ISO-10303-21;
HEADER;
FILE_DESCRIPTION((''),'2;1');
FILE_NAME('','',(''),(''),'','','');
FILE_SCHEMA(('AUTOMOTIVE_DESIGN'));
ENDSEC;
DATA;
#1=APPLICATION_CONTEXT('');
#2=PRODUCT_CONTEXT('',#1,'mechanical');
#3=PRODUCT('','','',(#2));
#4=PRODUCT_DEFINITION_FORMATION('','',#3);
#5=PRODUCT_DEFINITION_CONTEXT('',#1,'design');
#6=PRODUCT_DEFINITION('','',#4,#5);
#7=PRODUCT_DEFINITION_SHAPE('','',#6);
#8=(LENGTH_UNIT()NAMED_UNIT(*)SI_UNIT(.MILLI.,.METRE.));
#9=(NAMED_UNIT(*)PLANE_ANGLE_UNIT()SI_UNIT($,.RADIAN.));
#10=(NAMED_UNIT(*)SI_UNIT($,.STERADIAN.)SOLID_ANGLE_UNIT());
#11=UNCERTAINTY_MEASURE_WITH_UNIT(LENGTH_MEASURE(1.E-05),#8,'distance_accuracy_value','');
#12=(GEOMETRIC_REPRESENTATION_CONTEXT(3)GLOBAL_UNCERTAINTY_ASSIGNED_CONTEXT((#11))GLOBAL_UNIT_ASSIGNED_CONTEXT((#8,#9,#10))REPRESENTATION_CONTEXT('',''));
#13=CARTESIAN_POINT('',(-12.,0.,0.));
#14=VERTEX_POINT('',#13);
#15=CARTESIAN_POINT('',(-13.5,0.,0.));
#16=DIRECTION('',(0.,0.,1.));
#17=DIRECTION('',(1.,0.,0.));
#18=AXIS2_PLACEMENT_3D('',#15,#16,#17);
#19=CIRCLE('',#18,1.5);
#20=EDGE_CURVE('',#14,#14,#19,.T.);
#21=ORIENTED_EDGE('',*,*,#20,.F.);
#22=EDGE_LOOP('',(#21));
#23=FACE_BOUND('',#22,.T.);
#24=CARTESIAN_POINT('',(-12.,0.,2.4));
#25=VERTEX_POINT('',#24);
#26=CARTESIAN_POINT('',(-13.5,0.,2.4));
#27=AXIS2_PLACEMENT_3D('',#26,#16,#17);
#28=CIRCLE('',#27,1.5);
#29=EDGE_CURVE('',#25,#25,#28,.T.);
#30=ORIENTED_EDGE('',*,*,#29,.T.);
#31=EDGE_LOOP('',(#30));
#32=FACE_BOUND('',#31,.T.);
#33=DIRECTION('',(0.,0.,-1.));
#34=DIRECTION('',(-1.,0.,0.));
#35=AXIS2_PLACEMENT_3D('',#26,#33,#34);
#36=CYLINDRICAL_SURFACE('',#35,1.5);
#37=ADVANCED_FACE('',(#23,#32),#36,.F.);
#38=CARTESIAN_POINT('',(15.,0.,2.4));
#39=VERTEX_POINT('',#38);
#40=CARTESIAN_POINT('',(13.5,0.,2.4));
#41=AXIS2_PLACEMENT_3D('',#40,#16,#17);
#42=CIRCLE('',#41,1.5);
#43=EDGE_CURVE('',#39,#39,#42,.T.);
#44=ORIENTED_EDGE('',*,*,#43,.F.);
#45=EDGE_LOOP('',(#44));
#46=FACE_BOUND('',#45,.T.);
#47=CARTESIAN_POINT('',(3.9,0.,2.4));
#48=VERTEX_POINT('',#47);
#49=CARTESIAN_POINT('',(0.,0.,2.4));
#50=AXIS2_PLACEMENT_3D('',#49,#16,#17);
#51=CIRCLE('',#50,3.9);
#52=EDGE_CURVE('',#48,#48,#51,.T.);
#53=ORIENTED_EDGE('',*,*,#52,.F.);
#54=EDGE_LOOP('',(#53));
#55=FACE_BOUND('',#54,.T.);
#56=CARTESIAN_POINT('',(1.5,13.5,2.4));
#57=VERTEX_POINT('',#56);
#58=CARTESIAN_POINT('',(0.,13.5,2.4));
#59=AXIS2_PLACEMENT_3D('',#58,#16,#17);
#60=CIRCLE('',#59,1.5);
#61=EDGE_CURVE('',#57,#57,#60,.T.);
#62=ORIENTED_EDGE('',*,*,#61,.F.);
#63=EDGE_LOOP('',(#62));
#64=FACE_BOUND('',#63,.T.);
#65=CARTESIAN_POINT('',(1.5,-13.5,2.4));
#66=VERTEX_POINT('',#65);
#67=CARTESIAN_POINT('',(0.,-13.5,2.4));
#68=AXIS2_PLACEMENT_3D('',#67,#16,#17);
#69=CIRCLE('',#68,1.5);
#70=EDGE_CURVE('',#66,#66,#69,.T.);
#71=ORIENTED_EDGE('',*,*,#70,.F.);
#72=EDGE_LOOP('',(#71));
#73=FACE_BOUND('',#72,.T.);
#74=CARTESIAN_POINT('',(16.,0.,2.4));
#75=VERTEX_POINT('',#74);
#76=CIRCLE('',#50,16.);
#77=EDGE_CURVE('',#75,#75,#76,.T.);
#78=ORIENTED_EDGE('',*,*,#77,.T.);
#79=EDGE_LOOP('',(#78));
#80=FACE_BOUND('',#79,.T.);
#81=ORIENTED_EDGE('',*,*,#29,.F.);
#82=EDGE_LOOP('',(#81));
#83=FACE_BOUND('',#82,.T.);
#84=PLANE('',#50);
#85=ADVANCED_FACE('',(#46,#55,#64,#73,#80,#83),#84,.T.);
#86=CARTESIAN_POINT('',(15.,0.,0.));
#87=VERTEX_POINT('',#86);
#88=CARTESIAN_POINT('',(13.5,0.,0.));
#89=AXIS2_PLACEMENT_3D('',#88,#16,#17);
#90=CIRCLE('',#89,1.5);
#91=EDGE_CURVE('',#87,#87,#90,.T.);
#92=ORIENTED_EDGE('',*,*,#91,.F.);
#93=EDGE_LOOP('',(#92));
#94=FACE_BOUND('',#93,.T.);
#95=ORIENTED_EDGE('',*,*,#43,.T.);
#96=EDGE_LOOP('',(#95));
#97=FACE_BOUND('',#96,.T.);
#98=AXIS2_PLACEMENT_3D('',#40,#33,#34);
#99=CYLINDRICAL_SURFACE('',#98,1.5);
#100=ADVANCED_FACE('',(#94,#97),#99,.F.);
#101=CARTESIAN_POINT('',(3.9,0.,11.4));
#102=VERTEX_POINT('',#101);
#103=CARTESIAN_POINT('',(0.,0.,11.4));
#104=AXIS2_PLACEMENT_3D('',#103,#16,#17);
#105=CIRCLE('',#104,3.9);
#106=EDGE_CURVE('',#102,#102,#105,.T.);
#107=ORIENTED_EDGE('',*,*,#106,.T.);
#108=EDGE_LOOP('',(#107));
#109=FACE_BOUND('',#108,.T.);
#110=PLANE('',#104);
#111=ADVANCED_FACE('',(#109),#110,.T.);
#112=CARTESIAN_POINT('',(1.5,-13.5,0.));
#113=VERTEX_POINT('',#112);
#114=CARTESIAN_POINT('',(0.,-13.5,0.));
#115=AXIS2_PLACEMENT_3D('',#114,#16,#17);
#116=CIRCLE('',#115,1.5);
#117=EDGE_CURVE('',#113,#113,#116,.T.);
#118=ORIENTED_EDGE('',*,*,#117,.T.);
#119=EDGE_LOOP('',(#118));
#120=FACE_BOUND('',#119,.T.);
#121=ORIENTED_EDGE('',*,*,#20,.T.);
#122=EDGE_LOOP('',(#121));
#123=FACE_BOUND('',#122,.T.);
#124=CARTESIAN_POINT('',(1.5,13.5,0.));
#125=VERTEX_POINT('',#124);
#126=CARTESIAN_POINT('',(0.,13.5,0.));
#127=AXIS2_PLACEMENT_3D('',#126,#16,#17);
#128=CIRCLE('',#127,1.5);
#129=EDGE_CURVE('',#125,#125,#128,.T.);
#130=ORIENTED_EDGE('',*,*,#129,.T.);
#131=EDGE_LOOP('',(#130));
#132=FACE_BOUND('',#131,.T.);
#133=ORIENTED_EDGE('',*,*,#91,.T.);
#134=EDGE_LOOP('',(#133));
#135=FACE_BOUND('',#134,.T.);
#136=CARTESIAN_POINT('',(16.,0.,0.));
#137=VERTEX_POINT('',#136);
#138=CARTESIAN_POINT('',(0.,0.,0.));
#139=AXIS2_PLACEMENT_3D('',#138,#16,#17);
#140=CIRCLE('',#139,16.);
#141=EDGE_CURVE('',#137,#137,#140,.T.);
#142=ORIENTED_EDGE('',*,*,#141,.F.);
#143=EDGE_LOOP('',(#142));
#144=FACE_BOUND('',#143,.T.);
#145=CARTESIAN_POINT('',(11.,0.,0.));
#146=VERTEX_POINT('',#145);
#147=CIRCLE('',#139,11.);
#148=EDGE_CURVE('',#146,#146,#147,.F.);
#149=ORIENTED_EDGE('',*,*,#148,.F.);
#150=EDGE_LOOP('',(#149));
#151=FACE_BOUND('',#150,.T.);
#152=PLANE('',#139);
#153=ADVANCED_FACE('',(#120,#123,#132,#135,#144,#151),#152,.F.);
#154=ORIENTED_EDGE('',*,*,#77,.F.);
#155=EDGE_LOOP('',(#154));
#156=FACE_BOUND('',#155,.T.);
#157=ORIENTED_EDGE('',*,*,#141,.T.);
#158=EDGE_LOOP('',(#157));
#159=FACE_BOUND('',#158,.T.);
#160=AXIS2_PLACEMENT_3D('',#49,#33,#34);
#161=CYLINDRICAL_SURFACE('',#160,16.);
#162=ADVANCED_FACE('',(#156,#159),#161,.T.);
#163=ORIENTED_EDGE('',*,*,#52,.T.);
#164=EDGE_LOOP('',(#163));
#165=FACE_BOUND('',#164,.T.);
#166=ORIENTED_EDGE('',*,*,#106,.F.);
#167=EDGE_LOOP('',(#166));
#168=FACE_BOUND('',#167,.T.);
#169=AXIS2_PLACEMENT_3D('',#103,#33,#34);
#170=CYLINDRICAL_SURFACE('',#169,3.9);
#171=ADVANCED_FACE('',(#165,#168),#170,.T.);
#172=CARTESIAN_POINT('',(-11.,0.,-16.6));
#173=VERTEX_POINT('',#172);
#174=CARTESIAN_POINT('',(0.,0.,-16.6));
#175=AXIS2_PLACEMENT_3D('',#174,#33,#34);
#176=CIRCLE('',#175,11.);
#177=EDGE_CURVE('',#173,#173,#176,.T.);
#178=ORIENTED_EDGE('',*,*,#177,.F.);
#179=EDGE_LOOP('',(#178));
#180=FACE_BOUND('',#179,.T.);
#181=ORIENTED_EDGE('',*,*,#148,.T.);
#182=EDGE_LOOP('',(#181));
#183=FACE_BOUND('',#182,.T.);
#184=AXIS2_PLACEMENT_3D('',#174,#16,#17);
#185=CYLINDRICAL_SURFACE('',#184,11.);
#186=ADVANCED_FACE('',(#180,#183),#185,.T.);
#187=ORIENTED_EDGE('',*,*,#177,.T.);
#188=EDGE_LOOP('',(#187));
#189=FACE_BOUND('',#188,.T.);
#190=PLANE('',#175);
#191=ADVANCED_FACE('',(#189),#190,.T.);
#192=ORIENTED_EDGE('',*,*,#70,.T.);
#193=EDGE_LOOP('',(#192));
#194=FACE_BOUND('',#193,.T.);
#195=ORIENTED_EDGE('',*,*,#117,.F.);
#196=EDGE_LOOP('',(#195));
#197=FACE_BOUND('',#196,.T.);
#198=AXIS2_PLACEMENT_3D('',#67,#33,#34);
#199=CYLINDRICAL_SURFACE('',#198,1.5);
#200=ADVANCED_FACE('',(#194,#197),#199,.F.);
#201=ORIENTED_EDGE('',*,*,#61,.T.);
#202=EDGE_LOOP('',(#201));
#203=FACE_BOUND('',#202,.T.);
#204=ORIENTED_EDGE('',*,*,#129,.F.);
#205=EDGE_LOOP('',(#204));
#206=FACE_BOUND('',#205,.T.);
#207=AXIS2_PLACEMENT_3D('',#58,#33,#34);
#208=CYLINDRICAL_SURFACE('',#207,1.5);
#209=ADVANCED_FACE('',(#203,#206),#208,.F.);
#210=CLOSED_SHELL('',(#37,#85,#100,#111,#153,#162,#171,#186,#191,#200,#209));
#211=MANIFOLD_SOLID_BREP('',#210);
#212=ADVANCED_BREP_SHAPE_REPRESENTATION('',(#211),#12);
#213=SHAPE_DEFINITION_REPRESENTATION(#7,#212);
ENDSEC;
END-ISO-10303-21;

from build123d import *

# Parameters (mm, degrees)
SKETCH_1_R      = 16
SKETCH_1_R_2    = 1.5
EXTRUDE_1_DEPTH = 2.4
SKETCH_2_R      = 3.9
EXTRUDE_2_DEPTH = 9
SKETCH_3_R      = 11
EXTRUDE_3_DEPTH = 16.6


with BuildPart() as part:
    # Эскиз1 → Бобышка-Вытянуть1 (new body)
    with BuildSketch(Plane.XY):
        Circle(SKETCH_1_R)
        with Locations((-13.5, 0)):
            Circle(SKETCH_1_R_2, mode=Mode.SUBTRACT)
        with Locations((0, 13.5)):
            Circle(SKETCH_1_R_2, mode=Mode.SUBTRACT)
        with Locations((13.5, 0)):
            Circle(SKETCH_1_R_2, mode=Mode.SUBTRACT)
        with Locations((0, -13.5)):
            Circle(SKETCH_1_R_2, mode=Mode.SUBTRACT)
    extrude(amount=EXTRUDE_1_DEPTH)

    # Эскиз2 → Бобышка-Вытянуть2 (add)
    with BuildSketch(Plane.XY.offset(2.4)):
        Circle(SKETCH_2_R)
    extrude(amount=EXTRUDE_2_DEPTH)

    # Эскиз3 → Бобышка-Вытянуть3 (add)
    with BuildSketch(Plane(origin=(0, 0, 0), x_dir=(-1, 0, 0), z_dir=(0, 0, -1))):
        Circle(SKETCH_3_R)
    extrude(amount=EXTRUDE_3_DEPTH)


solid = part.part
